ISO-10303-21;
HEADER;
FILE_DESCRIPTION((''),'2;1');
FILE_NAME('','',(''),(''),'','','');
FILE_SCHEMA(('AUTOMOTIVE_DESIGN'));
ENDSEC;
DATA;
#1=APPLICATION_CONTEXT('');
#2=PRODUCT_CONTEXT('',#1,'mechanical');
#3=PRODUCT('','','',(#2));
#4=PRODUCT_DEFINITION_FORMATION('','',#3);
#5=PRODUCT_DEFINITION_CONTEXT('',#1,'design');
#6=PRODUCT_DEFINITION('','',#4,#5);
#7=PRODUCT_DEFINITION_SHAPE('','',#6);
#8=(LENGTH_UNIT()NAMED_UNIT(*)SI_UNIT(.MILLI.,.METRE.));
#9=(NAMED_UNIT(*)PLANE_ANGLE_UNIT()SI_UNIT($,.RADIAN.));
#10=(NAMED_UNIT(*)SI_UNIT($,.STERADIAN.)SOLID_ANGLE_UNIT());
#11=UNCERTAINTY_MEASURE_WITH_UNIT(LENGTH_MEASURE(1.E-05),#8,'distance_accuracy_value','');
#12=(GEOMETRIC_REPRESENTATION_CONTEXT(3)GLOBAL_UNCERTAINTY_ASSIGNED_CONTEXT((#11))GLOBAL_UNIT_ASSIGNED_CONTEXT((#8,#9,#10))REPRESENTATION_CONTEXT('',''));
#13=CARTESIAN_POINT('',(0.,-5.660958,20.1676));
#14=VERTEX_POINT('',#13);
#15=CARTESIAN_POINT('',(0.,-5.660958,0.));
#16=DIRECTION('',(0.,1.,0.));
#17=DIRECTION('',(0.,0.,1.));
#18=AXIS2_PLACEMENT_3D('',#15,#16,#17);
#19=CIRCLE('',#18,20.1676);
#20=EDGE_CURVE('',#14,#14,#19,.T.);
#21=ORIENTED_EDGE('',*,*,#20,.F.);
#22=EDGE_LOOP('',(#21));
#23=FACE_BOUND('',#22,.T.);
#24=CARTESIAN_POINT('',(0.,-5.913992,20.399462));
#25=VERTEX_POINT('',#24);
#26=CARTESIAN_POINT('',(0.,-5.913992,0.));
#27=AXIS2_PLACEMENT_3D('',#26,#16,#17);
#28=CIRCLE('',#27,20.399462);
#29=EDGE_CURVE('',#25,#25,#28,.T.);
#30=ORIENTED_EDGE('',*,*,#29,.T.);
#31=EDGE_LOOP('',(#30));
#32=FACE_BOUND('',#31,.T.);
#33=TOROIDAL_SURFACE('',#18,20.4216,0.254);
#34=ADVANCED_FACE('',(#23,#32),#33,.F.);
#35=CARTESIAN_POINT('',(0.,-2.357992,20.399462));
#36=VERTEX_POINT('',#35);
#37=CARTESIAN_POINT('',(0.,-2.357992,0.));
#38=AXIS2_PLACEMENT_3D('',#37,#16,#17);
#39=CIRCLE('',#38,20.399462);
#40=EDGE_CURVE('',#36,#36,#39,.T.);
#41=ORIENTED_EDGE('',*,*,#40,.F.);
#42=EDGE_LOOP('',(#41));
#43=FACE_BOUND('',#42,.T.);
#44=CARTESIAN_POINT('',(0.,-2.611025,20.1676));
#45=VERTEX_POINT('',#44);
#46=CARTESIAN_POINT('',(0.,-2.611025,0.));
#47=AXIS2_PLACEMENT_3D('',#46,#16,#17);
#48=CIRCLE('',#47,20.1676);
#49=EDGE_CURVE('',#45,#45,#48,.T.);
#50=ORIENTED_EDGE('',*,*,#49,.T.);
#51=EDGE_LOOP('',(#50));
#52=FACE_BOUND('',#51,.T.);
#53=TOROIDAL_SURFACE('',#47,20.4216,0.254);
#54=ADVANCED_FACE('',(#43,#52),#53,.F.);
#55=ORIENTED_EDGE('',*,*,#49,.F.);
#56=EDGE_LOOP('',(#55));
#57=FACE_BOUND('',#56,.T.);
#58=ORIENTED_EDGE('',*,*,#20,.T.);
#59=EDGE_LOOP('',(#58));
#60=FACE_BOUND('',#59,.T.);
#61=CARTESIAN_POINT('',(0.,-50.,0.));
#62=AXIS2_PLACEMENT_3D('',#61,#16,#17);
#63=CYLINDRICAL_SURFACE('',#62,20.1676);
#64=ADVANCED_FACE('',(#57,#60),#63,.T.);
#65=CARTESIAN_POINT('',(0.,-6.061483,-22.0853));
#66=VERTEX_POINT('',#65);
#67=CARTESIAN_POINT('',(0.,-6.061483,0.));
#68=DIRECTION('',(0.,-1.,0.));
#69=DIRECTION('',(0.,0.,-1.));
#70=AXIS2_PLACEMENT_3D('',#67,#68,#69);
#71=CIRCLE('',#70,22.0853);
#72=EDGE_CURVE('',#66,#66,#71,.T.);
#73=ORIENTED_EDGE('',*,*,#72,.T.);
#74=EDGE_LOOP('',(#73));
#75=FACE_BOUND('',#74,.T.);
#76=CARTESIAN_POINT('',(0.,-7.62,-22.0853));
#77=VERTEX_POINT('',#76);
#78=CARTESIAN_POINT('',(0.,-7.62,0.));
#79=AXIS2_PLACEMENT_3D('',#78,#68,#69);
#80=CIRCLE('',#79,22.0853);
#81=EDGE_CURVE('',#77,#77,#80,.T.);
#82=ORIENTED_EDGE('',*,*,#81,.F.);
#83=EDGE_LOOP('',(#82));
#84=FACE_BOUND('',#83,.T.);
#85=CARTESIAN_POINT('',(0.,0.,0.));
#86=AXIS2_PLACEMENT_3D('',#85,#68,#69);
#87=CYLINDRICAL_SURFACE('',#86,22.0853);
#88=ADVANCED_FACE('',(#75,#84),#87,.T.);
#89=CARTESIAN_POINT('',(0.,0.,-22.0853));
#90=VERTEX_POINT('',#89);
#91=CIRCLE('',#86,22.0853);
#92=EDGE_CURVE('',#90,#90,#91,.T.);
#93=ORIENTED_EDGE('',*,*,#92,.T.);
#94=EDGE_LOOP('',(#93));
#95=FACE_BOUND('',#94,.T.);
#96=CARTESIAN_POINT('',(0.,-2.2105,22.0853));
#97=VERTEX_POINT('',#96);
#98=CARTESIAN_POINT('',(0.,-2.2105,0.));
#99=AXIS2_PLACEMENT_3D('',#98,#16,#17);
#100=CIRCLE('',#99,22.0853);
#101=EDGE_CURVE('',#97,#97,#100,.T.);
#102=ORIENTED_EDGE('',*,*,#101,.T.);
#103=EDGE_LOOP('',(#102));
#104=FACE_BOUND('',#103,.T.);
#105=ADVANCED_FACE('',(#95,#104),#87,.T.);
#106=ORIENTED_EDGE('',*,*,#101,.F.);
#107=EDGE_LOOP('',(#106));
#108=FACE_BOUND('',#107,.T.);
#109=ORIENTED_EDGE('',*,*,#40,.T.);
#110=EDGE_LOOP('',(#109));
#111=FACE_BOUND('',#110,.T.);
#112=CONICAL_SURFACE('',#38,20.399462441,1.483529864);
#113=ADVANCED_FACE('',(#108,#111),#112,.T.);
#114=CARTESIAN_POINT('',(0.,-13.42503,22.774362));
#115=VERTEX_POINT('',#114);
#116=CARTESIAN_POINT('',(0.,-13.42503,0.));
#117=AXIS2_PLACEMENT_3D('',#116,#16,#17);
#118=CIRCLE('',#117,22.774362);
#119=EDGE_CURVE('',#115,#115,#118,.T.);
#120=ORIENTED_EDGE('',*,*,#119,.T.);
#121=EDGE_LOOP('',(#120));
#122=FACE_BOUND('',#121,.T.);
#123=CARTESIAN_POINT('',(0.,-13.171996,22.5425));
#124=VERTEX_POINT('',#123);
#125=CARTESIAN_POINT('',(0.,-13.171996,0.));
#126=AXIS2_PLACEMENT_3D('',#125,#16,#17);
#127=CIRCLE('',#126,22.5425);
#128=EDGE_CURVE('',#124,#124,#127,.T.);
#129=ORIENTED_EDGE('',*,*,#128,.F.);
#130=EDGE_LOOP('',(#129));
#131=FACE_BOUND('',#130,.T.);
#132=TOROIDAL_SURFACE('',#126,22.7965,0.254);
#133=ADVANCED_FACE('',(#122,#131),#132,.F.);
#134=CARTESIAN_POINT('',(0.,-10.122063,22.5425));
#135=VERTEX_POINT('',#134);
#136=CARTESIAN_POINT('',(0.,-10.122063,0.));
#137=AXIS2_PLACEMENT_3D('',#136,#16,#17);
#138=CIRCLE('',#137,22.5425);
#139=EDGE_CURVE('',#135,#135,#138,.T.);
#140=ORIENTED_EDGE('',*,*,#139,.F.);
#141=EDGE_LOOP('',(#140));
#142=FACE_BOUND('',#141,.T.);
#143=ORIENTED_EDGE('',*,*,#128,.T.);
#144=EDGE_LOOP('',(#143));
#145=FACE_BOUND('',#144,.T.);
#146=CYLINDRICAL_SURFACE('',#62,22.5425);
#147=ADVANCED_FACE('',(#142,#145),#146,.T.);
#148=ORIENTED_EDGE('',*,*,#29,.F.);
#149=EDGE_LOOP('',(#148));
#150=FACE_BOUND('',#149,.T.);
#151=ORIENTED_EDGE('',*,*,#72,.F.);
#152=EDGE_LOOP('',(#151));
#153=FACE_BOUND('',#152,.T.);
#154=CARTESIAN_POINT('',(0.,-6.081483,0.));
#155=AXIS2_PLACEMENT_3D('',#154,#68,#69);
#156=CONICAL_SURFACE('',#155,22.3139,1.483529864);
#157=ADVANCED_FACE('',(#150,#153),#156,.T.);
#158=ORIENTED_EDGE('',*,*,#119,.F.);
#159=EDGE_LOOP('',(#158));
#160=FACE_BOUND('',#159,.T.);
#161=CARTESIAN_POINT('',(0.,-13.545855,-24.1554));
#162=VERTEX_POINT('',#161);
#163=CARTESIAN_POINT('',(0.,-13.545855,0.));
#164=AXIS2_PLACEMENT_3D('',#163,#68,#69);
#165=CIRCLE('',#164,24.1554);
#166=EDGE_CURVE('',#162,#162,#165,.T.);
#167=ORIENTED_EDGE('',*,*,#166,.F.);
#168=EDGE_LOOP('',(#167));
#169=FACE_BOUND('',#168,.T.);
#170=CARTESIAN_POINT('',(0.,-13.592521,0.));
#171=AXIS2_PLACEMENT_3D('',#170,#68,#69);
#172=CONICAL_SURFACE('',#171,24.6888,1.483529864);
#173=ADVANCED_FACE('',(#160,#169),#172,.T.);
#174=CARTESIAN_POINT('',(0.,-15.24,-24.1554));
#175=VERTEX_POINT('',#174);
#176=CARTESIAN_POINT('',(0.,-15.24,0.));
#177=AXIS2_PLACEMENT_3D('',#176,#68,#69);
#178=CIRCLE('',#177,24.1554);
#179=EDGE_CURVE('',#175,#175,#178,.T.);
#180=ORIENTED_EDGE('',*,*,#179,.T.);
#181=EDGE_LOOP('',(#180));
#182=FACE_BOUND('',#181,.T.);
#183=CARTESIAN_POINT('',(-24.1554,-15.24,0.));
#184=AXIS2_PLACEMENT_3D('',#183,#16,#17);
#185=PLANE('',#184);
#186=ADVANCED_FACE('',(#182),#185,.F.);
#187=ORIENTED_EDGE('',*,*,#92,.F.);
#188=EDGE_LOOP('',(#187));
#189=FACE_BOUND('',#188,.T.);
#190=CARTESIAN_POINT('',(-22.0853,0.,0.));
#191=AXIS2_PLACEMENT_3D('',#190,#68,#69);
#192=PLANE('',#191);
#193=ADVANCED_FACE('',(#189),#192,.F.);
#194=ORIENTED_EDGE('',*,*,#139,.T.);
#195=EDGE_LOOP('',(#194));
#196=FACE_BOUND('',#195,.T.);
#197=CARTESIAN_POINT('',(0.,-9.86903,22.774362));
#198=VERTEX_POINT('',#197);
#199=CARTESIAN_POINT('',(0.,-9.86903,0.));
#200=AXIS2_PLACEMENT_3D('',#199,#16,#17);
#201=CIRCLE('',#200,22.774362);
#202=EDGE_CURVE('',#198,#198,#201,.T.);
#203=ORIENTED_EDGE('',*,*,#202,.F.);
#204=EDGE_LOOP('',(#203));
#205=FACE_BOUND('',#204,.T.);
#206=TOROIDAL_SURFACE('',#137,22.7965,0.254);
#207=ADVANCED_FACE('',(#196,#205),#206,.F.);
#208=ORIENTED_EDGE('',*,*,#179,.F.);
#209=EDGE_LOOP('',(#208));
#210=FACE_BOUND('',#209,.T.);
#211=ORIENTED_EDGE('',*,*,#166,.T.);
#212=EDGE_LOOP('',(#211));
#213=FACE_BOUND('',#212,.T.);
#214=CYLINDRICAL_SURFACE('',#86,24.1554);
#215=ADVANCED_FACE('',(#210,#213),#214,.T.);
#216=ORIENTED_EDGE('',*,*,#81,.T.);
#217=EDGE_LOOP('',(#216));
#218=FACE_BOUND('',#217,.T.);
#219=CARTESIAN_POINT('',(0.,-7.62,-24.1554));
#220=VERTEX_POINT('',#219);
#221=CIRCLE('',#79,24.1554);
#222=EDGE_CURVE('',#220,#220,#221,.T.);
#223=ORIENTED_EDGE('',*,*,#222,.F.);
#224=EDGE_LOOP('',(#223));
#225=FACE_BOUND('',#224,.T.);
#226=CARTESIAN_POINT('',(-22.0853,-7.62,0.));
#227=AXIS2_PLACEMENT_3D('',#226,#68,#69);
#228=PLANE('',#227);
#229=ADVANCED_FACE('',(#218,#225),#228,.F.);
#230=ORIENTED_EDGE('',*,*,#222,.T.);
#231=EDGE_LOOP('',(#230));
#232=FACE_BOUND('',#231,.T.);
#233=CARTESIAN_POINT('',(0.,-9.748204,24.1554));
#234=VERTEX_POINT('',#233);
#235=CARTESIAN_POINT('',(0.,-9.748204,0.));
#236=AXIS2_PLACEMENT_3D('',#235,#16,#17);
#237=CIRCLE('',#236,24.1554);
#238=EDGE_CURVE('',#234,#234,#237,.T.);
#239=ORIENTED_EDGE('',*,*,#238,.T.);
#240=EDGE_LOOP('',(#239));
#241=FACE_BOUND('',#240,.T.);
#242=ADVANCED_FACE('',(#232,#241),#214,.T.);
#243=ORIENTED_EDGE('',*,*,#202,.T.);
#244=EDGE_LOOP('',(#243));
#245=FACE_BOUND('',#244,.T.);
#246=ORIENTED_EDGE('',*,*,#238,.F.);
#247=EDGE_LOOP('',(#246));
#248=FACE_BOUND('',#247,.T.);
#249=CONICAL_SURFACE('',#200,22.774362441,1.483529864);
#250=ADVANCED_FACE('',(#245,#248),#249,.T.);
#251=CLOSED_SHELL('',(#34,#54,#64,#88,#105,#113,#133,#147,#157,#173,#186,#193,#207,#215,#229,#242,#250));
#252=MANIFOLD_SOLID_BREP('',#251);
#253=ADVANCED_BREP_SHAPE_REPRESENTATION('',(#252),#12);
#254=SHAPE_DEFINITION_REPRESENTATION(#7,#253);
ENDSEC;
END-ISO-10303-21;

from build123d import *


with BuildPart() as part:
    # Sketch1 → Revolve1 (revolve)
    with BuildSketch(Plane.XY, mode=Mode.PRIVATE) as revolve1_sk:
        Polygon((-22.0853, 0), (-22.0853, -7.62), (-24.1554, -7.62), (-24.1554, -15.24), (0, -15.24), (0, 0), align=None)
    revolve(revolve1_sk.sketch.rotate(Axis((0, 0, 0), (0, 1, 0)), 270), axis=Axis((0, 0, 0), (0, 1, 0)))

    # Sketch7 → Groove for AS 568-132, O-Ring1 (revolve, cut)
    with BuildSketch(Plane(origin=(0, 0, 0), x_dir=(0, 0, -1), z_dir=(-1, 0, 0)), mode=Mode.PRIVATE) as groove_for_as_568_132_o_ring1_sk:
        with BuildLine():
            Line((22.774362441, 13.425029581), (24.6888, 13.592521165))
            Line((24.6888, 13.592521165), (24.6888, 9.701537998))
            Line((24.6888, 9.701537998), (22.774362441, 9.869029581))
            ThreePointArc((22.774362441, 9.869029581), (22.609231556, 9.950463122), (22.5425, 10.122063035))
            Line((22.5425, 10.122063035), (22.5425, 13.171996128))
            ThreePointArc((22.5425, 13.171996128), (22.609231556, 13.343596041), (22.774362441, 13.425029581))
        make_face()
    revolve(groove_for_as_568_132_o_ring1_sk.sketch.rotate(Axis((0, -50, 0), (0, 1, 0)), 180), axis=Axis((0, -50, 0), (0, 1, 0)), mode=Mode.SUBTRACT)

    # Sketch9 → Groove for AS 568-129, O-Ring1 (revolve, cut)
    with BuildSketch(Plane(origin=(0, 0, 0), x_dir=(0, 0, -1), z_dir=(-1, 0, 0))):
        with BuildLine():
            Line((20.399462441, 5.913991542), (22.3139, 6.081483126))
            Line((22.3139, 6.081483126), (22.3139, 2.190499959))
            Line((22.3139, 2.190499959), (20.399462441, 2.357991542))
            ThreePointArc((20.399462441, 2.357991542), (20.234331556, 2.439425083), (20.1676, 2.611024996))
            Line((20.1676, 2.611024996), (20.1676, 5.660958089))
            ThreePointArc((20.1676, 5.660958089), (20.234331556, 5.832558002), (20.399462441, 5.913991542))
        make_face()
    revolve(axis=Axis((0, -50, 0), (0, 1, 0)), mode=Mode.SUBTRACT)


solid = part.part
